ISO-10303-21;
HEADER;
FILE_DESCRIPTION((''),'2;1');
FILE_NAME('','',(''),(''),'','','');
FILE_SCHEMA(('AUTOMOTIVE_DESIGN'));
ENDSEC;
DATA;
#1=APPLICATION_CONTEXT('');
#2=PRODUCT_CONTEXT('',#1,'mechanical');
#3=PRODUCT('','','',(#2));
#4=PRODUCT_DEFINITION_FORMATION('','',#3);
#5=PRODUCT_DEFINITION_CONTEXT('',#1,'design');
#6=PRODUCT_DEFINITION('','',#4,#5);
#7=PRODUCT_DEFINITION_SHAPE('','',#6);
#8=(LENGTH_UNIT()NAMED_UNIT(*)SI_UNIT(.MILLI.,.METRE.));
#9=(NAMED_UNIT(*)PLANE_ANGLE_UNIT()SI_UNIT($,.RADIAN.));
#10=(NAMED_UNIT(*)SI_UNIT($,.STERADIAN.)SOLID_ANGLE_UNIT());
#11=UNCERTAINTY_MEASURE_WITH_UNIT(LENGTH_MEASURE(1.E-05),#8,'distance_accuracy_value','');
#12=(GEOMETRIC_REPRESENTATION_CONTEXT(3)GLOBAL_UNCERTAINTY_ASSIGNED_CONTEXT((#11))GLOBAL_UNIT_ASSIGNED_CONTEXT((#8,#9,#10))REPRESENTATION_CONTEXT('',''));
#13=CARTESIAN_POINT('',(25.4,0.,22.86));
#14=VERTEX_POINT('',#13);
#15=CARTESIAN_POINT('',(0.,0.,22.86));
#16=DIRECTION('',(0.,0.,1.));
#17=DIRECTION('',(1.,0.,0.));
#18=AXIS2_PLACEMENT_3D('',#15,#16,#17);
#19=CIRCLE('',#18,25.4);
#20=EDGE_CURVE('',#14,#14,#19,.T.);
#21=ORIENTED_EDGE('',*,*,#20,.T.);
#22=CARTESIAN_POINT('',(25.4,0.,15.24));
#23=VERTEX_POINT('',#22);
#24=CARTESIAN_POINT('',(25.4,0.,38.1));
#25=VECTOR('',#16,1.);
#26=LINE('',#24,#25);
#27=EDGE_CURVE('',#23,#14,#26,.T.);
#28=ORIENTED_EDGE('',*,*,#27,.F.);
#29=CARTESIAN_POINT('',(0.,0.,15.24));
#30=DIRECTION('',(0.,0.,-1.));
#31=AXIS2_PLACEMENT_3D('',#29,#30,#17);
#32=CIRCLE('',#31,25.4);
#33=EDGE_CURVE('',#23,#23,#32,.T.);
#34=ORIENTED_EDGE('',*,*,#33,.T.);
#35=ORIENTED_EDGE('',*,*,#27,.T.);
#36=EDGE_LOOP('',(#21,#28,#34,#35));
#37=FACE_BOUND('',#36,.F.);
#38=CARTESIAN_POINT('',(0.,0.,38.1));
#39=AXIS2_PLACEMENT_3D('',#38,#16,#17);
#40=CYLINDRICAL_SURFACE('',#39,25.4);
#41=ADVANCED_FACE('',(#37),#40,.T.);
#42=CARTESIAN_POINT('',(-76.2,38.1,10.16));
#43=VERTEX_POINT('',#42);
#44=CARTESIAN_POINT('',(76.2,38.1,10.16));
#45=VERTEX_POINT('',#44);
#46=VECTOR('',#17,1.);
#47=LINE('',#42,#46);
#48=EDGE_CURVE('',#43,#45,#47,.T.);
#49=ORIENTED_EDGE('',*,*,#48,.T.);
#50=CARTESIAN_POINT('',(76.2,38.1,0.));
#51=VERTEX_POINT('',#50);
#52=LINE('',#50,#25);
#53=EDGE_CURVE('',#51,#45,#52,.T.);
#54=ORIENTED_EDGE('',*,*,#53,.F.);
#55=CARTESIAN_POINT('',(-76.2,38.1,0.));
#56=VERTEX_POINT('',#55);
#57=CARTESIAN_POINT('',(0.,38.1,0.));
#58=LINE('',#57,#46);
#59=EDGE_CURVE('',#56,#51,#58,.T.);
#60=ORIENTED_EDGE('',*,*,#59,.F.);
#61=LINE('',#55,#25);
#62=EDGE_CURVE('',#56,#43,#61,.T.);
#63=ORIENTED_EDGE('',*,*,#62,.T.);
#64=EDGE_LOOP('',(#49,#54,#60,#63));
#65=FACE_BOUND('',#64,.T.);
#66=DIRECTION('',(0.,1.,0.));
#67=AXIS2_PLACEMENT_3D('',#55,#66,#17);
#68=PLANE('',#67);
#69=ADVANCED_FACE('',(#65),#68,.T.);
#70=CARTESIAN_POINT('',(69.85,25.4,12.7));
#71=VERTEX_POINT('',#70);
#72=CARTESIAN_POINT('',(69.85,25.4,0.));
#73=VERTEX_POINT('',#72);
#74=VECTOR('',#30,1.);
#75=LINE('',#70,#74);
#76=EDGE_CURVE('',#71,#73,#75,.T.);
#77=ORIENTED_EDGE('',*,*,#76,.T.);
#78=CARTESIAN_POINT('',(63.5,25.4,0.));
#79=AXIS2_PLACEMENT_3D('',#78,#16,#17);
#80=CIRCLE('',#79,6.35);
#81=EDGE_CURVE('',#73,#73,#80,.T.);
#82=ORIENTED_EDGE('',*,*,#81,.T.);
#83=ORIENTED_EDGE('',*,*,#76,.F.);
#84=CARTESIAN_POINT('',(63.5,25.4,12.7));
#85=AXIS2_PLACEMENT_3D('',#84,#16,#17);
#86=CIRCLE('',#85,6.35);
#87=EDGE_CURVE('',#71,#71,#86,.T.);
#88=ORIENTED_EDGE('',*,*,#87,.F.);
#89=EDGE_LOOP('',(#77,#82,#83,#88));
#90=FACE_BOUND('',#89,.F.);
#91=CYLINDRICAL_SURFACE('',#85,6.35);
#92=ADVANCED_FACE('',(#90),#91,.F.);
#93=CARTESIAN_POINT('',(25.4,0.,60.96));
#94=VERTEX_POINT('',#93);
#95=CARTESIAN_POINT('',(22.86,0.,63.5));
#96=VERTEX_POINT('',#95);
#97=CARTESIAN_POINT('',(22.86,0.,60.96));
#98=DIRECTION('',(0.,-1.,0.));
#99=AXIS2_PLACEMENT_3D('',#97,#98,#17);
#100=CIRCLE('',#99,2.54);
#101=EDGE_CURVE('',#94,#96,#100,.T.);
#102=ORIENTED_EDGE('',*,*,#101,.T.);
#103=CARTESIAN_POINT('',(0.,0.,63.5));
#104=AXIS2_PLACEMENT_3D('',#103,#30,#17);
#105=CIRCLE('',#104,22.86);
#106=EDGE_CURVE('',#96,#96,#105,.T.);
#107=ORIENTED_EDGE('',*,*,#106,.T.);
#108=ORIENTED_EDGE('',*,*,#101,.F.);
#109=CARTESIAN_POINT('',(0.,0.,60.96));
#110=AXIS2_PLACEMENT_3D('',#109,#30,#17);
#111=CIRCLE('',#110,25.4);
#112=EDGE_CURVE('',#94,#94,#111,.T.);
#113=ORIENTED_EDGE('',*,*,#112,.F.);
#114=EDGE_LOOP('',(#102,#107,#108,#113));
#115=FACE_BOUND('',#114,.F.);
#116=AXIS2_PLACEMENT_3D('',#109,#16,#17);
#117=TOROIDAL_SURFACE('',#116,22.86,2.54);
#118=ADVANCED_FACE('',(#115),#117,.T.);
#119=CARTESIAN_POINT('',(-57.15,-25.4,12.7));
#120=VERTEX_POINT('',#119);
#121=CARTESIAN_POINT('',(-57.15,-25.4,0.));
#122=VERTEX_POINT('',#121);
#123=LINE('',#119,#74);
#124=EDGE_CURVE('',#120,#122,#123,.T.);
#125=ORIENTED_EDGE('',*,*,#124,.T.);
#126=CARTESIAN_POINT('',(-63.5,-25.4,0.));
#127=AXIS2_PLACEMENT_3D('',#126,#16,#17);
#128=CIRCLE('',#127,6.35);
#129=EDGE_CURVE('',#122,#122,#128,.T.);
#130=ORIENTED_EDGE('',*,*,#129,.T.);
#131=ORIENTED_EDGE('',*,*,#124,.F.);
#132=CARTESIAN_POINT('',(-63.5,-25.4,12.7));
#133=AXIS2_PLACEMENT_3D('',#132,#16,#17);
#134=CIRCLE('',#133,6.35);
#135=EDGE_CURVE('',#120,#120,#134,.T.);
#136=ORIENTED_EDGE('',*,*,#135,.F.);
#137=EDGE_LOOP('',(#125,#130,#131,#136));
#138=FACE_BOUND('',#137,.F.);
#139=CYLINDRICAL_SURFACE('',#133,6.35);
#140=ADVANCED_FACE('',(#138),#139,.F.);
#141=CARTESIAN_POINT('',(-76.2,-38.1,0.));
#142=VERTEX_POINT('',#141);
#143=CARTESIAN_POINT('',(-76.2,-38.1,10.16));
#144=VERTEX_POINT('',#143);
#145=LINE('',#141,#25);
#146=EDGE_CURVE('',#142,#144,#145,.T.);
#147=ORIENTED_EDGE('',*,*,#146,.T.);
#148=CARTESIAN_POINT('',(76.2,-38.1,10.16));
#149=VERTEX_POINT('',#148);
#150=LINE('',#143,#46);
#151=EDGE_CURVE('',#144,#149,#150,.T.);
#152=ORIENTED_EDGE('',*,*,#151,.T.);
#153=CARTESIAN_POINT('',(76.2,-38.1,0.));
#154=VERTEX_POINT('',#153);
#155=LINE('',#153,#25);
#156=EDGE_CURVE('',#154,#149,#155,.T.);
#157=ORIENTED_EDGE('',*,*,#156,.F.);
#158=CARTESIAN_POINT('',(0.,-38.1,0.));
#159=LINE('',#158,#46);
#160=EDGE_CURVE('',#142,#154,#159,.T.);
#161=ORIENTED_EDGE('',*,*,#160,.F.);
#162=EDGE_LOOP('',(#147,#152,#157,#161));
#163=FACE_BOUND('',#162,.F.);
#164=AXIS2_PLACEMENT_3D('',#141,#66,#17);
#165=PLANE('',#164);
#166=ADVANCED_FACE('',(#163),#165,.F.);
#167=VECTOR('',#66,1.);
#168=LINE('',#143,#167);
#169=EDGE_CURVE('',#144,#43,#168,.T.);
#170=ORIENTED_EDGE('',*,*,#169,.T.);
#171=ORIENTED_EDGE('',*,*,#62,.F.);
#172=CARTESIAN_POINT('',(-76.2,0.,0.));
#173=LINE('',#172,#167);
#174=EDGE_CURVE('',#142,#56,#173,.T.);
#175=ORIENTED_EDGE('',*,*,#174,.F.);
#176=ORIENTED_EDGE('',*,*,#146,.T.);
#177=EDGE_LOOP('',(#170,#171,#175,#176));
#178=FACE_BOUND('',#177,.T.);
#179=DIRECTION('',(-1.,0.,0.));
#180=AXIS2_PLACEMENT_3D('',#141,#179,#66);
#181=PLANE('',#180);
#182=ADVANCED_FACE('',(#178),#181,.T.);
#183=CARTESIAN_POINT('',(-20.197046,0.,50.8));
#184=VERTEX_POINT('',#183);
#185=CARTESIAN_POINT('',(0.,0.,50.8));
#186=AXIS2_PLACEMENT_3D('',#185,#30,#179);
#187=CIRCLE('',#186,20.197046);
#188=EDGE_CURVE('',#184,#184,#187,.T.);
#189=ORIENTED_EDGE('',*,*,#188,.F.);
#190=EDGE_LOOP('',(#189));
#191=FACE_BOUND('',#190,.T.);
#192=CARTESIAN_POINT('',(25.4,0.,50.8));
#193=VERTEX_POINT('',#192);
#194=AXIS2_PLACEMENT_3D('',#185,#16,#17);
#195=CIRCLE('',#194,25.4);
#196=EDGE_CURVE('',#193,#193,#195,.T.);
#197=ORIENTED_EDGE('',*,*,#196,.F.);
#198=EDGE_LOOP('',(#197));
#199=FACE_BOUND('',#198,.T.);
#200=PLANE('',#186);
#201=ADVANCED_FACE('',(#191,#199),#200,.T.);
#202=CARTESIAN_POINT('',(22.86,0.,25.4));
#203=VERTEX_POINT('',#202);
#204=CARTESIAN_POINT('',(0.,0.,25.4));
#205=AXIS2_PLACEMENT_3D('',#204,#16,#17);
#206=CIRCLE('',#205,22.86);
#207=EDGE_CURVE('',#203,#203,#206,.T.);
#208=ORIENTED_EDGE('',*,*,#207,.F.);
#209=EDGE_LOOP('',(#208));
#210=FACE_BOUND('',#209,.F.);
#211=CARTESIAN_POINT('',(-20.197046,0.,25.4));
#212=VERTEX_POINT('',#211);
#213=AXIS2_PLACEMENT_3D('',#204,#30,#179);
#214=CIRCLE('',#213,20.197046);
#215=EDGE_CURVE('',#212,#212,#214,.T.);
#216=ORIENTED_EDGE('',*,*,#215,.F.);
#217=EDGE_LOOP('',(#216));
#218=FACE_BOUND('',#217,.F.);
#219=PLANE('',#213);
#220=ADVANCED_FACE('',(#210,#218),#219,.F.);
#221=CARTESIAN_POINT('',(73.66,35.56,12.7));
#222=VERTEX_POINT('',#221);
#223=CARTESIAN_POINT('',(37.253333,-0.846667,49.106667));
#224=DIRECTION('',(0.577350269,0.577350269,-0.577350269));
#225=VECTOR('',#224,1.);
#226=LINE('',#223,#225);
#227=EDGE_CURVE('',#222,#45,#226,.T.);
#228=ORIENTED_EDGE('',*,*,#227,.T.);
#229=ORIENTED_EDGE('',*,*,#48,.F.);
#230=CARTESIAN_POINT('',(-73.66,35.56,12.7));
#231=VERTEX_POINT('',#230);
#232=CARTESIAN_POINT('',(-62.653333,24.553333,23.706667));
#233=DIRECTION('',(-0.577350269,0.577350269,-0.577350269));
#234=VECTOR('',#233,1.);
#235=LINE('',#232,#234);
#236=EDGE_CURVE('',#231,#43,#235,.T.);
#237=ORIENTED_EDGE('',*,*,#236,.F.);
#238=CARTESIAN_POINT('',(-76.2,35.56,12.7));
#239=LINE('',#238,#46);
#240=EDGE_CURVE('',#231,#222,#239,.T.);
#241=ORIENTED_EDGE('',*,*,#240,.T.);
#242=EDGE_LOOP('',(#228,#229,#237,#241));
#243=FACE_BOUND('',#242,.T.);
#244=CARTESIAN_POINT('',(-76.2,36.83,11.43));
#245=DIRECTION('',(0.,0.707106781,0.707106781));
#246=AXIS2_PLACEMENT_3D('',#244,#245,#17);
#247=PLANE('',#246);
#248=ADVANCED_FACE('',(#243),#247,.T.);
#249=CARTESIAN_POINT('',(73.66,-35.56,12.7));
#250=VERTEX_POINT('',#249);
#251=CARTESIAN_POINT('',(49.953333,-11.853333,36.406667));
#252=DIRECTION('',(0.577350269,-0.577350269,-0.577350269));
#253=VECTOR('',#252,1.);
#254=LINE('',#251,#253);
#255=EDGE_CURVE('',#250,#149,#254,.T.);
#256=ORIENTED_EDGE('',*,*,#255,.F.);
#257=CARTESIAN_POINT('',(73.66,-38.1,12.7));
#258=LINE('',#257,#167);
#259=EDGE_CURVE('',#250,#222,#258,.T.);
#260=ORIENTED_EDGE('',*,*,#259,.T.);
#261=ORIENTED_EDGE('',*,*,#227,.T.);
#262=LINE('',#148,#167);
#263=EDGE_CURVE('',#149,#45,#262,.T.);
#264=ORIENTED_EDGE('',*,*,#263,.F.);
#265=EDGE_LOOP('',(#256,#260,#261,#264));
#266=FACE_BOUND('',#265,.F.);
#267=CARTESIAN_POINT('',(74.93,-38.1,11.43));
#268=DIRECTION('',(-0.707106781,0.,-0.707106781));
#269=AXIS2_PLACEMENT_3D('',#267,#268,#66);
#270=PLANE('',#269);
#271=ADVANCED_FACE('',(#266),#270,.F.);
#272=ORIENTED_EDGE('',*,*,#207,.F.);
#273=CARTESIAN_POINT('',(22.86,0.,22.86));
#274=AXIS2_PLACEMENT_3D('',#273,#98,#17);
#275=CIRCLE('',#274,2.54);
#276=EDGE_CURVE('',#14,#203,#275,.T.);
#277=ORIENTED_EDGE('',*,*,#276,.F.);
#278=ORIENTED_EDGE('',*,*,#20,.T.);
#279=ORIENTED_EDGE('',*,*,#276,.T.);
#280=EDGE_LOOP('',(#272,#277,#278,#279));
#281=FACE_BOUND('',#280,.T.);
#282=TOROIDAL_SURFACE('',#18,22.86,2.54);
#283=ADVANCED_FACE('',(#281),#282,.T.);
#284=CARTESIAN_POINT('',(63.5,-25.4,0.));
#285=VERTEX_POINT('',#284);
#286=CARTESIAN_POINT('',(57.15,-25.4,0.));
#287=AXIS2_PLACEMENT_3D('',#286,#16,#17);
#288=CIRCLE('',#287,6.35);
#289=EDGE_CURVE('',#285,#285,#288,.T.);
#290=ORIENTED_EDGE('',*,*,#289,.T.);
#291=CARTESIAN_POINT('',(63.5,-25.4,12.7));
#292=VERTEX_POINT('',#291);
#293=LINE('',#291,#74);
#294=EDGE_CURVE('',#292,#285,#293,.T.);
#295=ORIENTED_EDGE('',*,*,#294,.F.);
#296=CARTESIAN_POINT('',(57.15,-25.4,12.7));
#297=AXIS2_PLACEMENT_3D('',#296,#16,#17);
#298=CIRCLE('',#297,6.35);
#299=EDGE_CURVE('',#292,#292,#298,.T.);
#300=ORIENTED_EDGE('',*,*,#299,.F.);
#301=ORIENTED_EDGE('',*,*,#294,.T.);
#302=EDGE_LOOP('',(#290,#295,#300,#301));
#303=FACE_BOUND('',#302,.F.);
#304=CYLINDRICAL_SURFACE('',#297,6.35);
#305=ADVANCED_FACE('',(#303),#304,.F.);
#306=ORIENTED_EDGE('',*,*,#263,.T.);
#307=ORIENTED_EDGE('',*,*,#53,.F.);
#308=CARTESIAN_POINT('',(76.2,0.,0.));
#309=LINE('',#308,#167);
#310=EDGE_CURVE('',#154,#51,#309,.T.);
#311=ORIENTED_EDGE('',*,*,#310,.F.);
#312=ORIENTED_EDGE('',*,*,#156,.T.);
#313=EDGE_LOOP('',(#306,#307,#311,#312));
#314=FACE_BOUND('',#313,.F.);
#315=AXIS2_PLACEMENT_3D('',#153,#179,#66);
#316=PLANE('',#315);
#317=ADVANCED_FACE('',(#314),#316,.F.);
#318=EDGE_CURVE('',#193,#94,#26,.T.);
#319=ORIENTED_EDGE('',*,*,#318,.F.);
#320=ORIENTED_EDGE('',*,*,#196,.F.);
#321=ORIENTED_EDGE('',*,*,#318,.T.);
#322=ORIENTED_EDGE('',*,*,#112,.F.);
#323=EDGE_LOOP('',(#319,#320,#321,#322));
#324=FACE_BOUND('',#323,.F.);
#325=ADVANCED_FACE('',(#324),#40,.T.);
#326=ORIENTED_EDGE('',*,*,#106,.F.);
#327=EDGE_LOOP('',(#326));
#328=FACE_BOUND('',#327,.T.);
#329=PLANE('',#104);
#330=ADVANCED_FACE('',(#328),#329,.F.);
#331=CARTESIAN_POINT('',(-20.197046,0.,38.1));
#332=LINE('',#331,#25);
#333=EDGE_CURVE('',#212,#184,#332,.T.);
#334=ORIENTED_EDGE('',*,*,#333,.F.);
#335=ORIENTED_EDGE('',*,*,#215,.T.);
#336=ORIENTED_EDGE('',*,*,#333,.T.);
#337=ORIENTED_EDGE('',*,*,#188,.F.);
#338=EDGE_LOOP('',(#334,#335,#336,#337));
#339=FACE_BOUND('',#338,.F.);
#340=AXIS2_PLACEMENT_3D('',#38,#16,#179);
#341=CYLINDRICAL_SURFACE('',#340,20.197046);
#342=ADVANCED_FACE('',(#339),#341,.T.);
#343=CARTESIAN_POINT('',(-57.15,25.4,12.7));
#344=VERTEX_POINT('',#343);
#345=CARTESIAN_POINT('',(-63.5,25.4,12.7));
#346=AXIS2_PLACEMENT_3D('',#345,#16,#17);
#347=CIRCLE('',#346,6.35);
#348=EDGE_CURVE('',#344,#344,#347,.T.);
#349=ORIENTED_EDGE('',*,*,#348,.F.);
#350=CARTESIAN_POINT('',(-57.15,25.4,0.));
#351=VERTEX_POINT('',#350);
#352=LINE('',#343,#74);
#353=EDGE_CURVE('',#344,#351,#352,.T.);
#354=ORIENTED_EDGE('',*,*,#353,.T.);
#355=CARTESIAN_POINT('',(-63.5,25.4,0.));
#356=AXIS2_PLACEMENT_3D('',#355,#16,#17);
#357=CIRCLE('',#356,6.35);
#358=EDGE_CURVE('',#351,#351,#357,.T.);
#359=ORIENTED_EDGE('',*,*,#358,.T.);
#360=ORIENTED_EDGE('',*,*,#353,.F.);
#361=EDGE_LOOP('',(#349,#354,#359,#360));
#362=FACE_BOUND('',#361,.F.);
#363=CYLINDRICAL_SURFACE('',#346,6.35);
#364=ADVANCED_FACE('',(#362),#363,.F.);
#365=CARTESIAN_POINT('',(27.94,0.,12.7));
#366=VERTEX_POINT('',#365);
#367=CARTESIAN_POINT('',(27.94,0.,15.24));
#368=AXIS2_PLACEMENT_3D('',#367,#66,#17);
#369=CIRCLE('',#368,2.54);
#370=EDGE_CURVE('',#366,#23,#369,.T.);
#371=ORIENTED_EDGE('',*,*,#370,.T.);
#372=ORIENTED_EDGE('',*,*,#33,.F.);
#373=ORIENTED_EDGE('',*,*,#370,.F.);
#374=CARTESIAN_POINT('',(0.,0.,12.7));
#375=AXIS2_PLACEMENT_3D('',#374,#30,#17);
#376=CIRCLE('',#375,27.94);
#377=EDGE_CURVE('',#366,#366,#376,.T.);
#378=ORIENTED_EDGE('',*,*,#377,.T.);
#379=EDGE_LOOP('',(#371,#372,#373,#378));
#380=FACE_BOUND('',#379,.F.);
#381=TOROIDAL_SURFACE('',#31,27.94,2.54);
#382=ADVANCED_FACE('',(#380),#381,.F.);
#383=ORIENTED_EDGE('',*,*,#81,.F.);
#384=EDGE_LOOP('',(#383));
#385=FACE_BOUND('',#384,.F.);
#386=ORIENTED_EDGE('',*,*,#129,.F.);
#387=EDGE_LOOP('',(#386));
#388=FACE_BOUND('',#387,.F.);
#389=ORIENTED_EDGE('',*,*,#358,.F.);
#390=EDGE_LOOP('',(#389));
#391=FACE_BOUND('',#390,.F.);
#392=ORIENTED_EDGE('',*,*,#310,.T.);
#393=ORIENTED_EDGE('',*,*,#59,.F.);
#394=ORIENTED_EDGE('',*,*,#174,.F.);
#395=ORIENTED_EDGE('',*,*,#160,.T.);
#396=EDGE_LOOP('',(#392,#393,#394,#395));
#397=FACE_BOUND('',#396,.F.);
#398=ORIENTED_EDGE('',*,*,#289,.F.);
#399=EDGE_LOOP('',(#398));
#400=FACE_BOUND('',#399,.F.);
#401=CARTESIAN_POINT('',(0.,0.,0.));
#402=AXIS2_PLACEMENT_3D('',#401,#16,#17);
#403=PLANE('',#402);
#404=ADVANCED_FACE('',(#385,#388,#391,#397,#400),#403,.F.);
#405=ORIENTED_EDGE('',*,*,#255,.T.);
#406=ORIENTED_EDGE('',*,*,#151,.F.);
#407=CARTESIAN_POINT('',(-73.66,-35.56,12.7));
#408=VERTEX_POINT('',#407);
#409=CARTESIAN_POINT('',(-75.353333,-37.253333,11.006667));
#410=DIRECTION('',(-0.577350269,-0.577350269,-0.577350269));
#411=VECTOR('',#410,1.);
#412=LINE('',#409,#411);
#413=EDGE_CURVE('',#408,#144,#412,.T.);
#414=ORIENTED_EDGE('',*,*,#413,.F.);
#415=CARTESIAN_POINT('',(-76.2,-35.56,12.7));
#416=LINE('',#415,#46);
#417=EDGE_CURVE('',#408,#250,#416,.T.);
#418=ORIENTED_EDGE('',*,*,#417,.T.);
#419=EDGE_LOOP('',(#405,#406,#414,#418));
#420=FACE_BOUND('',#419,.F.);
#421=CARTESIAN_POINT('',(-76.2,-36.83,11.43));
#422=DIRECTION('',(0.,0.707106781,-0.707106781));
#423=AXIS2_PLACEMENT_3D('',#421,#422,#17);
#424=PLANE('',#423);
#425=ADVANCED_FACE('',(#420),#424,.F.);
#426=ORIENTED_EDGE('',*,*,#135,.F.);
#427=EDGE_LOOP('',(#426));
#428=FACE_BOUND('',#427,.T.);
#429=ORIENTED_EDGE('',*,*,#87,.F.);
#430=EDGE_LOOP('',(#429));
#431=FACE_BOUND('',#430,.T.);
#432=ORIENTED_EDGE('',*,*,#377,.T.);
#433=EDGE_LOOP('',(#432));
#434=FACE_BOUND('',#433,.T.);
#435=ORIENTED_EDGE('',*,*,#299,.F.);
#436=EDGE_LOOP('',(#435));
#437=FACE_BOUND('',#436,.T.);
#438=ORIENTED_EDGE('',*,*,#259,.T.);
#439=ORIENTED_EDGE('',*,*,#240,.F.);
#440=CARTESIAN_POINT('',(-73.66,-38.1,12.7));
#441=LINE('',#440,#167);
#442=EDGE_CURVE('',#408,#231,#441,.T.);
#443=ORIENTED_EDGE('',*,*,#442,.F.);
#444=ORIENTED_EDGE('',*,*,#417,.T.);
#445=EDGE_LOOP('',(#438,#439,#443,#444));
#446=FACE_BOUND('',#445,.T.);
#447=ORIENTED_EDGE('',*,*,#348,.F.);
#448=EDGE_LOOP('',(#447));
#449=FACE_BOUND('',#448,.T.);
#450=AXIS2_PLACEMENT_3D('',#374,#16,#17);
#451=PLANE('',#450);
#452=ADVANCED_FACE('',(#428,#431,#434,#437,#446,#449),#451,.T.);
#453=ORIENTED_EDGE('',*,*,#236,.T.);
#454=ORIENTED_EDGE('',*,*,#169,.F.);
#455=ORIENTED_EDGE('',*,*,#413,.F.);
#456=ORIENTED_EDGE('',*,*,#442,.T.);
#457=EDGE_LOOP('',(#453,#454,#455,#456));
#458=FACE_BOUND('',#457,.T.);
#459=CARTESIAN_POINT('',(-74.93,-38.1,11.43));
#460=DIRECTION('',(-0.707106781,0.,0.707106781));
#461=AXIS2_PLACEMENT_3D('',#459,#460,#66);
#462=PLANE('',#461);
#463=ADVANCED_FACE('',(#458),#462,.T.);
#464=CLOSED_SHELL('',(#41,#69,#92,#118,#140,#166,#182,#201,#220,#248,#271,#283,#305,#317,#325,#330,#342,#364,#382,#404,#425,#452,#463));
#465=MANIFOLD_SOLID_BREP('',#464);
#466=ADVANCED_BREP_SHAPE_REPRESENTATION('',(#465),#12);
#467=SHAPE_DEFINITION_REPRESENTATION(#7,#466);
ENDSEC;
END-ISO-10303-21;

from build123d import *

# Parameters (mm, degrees)
F0_W     = 152.4
F0_H     = 76.2
F1_DEPTH = 12.7
F2_R     = 6.35
F3_DEPTH = 12.701
F4_DEPTH = 12.701
F5_DEPTH = 12.701
F6_DEPTH = 12.701
F7_W     = 25.4
F7_H     = 50.8
F9_W     = 10.16
F9_H     = 25.4
F11_R    = 2.54
F12_SIZE = 2.54


with BuildPart() as f1:
    # F0 (on Top) → F1 (new body)
    with BuildSketch(Plane.XY):
        Rectangle(F0_W, F0_H)
    extrude(amount=F1_DEPTH)

    # F2 (on face) → F3 (cut, through all)
    with BuildSketch(Plane.XY.offset(12.7)):
        with Locations((57.15, -25.4)):
            Circle(F2_R)
    extrude(amount=-F3_DEPTH, mode=Mode.SUBTRACT)

    # F2 (on face) → F4 (cut, through all)
    with BuildSketch(Plane.XY.offset(12.7)):
        with Locations((63.5, 25.4)):
            Circle(F2_R)
    extrude(amount=-F4_DEPTH, mode=Mode.SUBTRACT)

    # F2 (on face) → F5 (cut, through all)
    with BuildSketch(Plane.XY.offset(12.7)):
        with Locations((-63.5, -25.4)):
            Circle(F2_R)
    extrude(amount=-F5_DEPTH, mode=Mode.SUBTRACT)

    # F2 (on face) → F6 (cut, through all)
    with BuildSketch(Plane.XY.offset(12.7)):
        with Locations((-63.5, 25.4)):
            Circle(F2_R)
    extrude(amount=-F6_DEPTH, mode=Mode.SUBTRACT)

    # F7 (on Front) → F8 (revolve)
    with BuildSketch(Plane.XZ):
        with Locations((12.7, 38.1)):
            Rectangle(F7_W, F7_H)
    revolve(axis=Axis((0, 0, 38.1), (0, 0, -1)))

    # F9 (on Front) → F10 (revolve, cut)
    with BuildSketch(Plane.XZ):
        with Locations((-25.2770464867, 38.1)):
            Rectangle(F9_W, F9_H)
    revolve(axis=Axis((0, 0, 38.1), (0, 0, -1)), mode=Mode.SUBTRACT)

    # F11
    f11_edges = [f1.edges().sort_by_distance(p)[0] for p in [
        (-25.4, 0, 12.7),
        (-25.4, 0, 25.4),
        (-25.4, 0, 63.5),
    ]]
    fillet(f11_edges, radius=F11_R)

    # F12
    f12_edges = [f1.edges().sort_by_distance(p)[0] for p in [
        (0, -38.1, 12.7),
        (-76.2, 0, 12.7),
        (0, 38.1, 12.7),
        (76.2, 0, 12.7),
    ]]
    chamfer(f12_edges, length=F12_SIZE)


solid = f1.part
